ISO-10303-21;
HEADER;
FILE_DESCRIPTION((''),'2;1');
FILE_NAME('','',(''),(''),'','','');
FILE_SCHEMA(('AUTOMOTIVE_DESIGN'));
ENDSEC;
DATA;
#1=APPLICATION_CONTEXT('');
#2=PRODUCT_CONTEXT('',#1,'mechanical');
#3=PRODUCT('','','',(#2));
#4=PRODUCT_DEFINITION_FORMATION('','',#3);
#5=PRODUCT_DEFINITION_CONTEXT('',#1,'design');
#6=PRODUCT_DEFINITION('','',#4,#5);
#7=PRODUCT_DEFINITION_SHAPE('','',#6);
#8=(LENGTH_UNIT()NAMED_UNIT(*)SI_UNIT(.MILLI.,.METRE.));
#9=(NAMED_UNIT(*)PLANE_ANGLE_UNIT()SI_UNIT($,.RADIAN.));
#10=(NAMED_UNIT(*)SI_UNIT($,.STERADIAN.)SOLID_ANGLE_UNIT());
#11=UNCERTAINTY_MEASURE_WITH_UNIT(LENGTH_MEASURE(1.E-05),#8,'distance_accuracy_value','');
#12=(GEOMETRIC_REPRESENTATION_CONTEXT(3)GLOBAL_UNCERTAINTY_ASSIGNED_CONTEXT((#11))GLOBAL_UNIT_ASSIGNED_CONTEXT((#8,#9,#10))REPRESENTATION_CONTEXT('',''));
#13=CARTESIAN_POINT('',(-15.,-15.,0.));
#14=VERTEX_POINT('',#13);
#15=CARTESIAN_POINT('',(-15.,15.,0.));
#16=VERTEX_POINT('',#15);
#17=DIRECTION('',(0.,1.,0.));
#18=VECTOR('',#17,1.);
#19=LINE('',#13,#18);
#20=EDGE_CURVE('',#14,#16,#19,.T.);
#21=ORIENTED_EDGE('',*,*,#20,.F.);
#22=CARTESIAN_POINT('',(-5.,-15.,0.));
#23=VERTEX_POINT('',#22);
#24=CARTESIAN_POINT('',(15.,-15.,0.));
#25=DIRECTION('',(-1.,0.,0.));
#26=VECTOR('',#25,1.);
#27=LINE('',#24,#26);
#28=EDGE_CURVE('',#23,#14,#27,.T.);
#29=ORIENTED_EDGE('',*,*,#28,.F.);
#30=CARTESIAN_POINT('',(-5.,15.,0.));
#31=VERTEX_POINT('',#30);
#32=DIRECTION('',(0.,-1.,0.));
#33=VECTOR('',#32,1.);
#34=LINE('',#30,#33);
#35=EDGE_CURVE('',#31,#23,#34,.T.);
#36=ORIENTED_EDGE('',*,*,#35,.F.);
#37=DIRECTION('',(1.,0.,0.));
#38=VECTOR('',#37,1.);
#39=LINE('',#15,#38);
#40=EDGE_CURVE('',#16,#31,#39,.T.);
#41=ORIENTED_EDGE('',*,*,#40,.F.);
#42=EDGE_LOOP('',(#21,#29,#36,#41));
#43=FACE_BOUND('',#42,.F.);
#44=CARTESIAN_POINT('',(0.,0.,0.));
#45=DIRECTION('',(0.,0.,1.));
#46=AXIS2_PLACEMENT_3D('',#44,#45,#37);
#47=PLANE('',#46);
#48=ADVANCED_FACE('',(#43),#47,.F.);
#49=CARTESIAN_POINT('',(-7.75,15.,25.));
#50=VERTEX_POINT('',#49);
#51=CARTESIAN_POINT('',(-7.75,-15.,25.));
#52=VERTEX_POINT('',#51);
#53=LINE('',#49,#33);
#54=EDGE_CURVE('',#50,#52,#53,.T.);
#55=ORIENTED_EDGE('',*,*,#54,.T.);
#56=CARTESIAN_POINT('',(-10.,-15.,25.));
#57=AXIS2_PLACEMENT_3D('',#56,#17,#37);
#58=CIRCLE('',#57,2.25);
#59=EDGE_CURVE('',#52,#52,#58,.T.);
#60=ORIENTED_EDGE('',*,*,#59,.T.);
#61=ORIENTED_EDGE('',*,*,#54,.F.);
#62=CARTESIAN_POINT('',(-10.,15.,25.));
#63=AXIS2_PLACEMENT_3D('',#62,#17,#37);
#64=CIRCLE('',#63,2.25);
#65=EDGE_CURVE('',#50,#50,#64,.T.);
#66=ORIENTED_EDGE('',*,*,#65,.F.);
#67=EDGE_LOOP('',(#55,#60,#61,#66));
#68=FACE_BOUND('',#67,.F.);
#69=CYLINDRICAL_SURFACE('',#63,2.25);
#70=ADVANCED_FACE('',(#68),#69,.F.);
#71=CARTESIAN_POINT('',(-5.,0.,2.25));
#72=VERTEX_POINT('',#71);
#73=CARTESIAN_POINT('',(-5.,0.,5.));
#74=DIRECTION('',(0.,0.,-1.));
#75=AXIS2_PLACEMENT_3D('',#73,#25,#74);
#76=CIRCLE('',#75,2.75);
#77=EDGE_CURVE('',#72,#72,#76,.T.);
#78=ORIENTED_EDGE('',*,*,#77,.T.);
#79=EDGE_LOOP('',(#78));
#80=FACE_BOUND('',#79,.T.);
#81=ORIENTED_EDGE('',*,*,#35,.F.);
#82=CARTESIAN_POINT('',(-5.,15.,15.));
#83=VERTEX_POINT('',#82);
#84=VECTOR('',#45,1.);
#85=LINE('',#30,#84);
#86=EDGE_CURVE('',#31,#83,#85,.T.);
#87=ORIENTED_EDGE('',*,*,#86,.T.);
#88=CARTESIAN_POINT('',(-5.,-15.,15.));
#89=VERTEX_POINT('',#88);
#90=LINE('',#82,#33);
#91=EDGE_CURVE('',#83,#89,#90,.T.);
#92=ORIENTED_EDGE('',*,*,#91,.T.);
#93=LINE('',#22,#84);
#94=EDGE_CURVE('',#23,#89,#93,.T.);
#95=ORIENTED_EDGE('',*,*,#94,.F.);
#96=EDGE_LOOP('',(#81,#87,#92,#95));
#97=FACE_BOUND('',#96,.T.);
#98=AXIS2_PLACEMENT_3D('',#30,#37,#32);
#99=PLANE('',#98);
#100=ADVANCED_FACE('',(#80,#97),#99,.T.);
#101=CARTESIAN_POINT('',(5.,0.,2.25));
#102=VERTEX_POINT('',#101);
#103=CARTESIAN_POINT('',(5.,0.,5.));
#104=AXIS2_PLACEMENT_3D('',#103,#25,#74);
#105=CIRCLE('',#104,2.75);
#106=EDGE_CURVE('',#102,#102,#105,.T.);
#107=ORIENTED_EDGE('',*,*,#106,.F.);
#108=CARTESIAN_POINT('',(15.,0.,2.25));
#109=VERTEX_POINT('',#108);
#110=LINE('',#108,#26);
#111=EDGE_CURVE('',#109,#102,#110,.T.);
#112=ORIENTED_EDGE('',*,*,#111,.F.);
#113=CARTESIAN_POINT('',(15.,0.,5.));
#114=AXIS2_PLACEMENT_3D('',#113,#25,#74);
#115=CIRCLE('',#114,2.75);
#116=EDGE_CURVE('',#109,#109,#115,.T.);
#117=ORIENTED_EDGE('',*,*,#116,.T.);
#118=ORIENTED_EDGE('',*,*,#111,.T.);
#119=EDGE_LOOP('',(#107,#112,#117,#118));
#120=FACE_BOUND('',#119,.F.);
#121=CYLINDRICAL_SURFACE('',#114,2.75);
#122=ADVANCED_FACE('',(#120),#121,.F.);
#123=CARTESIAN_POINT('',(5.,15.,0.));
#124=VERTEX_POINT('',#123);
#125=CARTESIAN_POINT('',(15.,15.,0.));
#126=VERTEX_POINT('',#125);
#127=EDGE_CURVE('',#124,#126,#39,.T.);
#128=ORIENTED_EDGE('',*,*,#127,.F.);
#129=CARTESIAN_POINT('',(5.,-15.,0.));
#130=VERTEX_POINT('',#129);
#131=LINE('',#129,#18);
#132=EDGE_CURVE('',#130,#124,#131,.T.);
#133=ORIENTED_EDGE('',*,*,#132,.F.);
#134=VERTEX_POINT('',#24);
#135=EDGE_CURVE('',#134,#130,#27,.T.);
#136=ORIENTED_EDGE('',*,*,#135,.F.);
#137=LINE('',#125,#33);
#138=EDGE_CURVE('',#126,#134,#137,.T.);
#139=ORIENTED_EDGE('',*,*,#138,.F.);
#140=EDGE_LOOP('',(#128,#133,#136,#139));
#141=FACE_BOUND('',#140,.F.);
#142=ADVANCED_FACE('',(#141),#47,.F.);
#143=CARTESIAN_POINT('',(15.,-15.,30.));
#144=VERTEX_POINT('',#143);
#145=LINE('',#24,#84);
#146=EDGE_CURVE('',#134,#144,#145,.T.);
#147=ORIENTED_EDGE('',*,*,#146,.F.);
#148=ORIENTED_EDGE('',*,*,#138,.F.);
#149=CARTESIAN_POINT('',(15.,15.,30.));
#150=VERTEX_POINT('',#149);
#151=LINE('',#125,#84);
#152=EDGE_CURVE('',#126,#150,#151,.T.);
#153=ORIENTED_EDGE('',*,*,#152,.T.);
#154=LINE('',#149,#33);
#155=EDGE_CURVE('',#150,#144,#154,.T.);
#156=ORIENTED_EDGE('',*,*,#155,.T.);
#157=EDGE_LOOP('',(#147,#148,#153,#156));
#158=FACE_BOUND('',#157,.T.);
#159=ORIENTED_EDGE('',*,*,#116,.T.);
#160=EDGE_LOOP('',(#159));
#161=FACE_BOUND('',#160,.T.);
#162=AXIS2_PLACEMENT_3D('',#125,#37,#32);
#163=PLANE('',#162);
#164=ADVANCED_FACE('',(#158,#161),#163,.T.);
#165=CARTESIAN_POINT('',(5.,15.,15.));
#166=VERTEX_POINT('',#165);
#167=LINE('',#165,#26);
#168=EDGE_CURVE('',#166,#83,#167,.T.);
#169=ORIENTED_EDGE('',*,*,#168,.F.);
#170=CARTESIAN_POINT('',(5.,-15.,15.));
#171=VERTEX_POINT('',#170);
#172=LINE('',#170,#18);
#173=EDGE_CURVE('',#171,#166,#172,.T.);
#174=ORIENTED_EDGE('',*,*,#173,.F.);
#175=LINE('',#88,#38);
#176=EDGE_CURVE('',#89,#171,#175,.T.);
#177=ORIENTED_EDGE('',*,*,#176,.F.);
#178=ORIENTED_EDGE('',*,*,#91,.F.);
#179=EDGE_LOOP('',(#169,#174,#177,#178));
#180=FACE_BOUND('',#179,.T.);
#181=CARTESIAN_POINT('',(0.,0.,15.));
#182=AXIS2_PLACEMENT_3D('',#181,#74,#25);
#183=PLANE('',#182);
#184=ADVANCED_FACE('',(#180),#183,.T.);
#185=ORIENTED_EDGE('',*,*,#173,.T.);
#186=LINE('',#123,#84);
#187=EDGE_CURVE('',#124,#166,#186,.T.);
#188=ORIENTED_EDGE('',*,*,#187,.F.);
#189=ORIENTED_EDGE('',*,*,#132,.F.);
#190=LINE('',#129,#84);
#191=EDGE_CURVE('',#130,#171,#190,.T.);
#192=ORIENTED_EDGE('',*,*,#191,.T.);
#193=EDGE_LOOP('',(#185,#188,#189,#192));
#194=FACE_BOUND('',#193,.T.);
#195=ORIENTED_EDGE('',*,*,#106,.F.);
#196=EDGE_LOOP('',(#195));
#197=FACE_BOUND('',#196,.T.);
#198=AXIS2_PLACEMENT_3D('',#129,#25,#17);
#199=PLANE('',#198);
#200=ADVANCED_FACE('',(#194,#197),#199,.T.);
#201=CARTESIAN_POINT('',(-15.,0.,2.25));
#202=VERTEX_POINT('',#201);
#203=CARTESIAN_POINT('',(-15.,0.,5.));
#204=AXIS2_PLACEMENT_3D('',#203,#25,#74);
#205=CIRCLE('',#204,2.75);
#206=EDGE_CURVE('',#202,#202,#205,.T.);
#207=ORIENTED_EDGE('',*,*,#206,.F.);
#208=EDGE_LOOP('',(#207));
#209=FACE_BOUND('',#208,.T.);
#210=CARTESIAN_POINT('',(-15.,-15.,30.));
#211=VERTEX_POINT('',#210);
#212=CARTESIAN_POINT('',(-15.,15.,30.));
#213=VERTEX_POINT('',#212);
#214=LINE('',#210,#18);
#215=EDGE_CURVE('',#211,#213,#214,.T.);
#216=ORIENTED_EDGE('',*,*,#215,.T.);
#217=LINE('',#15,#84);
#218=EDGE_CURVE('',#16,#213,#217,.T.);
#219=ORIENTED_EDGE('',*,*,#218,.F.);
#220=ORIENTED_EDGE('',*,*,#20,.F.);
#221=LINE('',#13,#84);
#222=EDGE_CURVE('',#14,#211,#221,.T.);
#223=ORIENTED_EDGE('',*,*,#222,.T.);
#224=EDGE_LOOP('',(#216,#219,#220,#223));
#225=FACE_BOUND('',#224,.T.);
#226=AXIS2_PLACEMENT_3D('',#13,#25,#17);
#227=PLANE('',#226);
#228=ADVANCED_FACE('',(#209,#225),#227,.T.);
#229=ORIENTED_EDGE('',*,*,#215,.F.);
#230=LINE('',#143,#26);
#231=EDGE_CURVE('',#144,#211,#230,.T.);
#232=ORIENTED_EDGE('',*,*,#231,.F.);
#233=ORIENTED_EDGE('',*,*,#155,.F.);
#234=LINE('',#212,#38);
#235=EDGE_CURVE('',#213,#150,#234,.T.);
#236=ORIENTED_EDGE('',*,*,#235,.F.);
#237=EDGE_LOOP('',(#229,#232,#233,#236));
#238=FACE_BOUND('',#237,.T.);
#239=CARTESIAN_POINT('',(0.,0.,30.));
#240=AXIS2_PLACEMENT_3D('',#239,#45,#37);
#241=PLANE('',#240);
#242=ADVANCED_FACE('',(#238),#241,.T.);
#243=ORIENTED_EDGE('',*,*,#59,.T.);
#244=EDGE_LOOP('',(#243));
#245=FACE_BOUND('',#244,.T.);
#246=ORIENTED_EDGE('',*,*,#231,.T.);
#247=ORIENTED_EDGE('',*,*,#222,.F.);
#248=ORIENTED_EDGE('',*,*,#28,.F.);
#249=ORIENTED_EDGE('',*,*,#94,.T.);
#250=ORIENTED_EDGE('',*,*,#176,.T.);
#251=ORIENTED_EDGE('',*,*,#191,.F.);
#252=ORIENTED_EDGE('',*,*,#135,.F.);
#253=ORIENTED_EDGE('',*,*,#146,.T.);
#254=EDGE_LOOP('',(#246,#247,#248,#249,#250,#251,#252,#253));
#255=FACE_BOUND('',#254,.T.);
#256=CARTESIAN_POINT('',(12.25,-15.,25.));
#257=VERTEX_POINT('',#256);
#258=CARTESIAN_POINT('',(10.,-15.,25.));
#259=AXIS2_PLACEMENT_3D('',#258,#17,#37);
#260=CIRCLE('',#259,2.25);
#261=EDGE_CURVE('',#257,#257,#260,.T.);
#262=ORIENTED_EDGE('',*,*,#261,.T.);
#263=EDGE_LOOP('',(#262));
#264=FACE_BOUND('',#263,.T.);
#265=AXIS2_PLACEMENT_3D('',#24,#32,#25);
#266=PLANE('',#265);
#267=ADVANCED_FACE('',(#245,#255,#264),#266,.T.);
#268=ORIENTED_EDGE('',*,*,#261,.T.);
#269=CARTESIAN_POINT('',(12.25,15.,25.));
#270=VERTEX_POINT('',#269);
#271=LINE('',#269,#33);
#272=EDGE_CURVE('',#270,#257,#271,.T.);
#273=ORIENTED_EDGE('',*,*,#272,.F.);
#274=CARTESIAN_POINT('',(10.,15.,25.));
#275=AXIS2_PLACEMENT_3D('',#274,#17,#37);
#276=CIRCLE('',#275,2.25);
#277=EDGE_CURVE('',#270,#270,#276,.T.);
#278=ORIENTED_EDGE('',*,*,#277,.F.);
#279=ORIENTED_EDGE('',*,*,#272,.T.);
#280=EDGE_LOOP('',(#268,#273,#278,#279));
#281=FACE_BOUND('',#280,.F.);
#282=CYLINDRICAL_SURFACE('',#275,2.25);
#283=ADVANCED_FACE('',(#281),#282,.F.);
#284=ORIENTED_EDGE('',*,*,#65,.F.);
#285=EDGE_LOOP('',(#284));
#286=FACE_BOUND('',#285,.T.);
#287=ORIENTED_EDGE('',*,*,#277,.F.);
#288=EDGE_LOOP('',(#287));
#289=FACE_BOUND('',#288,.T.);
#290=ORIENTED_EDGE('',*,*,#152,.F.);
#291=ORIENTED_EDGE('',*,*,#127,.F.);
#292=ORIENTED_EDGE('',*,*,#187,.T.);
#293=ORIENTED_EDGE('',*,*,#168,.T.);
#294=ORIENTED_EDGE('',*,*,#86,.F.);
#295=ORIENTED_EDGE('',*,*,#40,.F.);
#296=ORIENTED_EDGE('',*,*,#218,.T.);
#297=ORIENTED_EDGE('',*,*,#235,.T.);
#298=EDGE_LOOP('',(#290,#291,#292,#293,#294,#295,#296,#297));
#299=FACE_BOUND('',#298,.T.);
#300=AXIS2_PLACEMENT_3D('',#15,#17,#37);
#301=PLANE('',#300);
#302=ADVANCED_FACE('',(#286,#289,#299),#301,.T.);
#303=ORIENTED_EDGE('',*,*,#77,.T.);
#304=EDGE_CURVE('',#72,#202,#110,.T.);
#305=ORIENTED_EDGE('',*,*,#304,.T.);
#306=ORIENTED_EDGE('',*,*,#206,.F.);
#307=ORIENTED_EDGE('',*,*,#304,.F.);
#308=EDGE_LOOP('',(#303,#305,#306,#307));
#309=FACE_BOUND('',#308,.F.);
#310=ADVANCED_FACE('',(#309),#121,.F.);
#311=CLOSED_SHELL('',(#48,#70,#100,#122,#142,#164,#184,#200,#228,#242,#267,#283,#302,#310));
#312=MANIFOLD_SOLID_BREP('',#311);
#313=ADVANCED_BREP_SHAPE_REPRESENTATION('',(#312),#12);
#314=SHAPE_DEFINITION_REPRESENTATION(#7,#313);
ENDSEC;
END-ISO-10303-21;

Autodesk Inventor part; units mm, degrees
ref_plane "YZ Plane" through (0, 0, 0) normal (1, 0, 0) x (0, 1, 0)
ref_plane "XZ Plane" through (0, 0, 0) normal (0, 1, 0) x (-1, 0, 0)
ref_plane "XY Plane" through (0, 0, 0) normal (0, 0, 1) x (1, 0, 0)
sketch "Sketch1" plane through (0, 0, 0) normal (0, 0, 1) x (1, 0, 0)
  line L0 (-15, 15) -> (15, 15)
  line L1 (15, 15) -> (15, -15)
  line L2 (15, -15) -> (-15, -15)
  line L3 (-15, -15) -> (-15, 15)
  point P0 (0, 0)
  point P1 (0, 15)
  point P2 (-15, 0)
  dimension "d0" = 30
  dimension "d1" = 30
extrude "Extrusion1" add sketch "Sketch1" along normal blind 30
sketch "Sketch4" plane through (0, 0, 0) normal (0, 0, -1) x (-1, 0, 0)
  line L0 (5, -15) -> (-5, -15)
  line L1 (-5, -15) -> (-5, 15)
  line L2 (-5, 15) -> (5, 15)
  line L3 (5, 15) -> (5, -15)
  line L4 (15, -15) -> (-15, -15) projected
  line L5 (-15, 15) -> (15, 15) projected
  point P0 (0, 0)
  point P1 (0, -15)
  dimension "d8" = 10
extrude "Extrusion3" cut sketch "Sketch4" against normal blind 15
sketch "Sketch5" plane through (15, -15, 0) normal (1, 0, 0) x (0, 0, -1)
  line L0 (0, 0) -> (0, 30) projected
  point P0 (0, 15)
  point P1 (-5, 15)
  point P2 (0, 15)
  dimension "d11" = 5
hole "Hole1" at (15, 0, 5) direction (-1, 0, 0) diameter 5.5 end through all
sketch "Sketch8" plane through (15, 15, 30) normal (0, 1, 0) x (1, 0, 0)
  line L0 (0, 0) -> (-30, 0) projected
  line L1 (0, 30) -> (0, 0) projected
  line L2 (0, 30) -> (-10, 30) projected
  line L3 (-10, 30) -> (-10, 15) projected
  line L4 (-10, 15) -> (-20, 15) projected
  line L5 (-20, 15) -> (-20, 30) projected
  line L6 (-20, 30) -> (-30, 30) projected
  circle A0 centre (-25, 5) radius 2.25
  circle A1 centre (-5, 5) radius 2.25
  line L7 (-30, 30) -> (-30, 0) projected
  point P0 (-15, 30)
  dimension "d28" = 4.5
  dimension "d30" = 5
  dimension "d31" = 5
  dimension "d32" = 5
extrude "Extrusion6" cut sketch "Sketch8" against normal through all contours A0 | A1
properties part number "0005-10-019 intinzator y"
